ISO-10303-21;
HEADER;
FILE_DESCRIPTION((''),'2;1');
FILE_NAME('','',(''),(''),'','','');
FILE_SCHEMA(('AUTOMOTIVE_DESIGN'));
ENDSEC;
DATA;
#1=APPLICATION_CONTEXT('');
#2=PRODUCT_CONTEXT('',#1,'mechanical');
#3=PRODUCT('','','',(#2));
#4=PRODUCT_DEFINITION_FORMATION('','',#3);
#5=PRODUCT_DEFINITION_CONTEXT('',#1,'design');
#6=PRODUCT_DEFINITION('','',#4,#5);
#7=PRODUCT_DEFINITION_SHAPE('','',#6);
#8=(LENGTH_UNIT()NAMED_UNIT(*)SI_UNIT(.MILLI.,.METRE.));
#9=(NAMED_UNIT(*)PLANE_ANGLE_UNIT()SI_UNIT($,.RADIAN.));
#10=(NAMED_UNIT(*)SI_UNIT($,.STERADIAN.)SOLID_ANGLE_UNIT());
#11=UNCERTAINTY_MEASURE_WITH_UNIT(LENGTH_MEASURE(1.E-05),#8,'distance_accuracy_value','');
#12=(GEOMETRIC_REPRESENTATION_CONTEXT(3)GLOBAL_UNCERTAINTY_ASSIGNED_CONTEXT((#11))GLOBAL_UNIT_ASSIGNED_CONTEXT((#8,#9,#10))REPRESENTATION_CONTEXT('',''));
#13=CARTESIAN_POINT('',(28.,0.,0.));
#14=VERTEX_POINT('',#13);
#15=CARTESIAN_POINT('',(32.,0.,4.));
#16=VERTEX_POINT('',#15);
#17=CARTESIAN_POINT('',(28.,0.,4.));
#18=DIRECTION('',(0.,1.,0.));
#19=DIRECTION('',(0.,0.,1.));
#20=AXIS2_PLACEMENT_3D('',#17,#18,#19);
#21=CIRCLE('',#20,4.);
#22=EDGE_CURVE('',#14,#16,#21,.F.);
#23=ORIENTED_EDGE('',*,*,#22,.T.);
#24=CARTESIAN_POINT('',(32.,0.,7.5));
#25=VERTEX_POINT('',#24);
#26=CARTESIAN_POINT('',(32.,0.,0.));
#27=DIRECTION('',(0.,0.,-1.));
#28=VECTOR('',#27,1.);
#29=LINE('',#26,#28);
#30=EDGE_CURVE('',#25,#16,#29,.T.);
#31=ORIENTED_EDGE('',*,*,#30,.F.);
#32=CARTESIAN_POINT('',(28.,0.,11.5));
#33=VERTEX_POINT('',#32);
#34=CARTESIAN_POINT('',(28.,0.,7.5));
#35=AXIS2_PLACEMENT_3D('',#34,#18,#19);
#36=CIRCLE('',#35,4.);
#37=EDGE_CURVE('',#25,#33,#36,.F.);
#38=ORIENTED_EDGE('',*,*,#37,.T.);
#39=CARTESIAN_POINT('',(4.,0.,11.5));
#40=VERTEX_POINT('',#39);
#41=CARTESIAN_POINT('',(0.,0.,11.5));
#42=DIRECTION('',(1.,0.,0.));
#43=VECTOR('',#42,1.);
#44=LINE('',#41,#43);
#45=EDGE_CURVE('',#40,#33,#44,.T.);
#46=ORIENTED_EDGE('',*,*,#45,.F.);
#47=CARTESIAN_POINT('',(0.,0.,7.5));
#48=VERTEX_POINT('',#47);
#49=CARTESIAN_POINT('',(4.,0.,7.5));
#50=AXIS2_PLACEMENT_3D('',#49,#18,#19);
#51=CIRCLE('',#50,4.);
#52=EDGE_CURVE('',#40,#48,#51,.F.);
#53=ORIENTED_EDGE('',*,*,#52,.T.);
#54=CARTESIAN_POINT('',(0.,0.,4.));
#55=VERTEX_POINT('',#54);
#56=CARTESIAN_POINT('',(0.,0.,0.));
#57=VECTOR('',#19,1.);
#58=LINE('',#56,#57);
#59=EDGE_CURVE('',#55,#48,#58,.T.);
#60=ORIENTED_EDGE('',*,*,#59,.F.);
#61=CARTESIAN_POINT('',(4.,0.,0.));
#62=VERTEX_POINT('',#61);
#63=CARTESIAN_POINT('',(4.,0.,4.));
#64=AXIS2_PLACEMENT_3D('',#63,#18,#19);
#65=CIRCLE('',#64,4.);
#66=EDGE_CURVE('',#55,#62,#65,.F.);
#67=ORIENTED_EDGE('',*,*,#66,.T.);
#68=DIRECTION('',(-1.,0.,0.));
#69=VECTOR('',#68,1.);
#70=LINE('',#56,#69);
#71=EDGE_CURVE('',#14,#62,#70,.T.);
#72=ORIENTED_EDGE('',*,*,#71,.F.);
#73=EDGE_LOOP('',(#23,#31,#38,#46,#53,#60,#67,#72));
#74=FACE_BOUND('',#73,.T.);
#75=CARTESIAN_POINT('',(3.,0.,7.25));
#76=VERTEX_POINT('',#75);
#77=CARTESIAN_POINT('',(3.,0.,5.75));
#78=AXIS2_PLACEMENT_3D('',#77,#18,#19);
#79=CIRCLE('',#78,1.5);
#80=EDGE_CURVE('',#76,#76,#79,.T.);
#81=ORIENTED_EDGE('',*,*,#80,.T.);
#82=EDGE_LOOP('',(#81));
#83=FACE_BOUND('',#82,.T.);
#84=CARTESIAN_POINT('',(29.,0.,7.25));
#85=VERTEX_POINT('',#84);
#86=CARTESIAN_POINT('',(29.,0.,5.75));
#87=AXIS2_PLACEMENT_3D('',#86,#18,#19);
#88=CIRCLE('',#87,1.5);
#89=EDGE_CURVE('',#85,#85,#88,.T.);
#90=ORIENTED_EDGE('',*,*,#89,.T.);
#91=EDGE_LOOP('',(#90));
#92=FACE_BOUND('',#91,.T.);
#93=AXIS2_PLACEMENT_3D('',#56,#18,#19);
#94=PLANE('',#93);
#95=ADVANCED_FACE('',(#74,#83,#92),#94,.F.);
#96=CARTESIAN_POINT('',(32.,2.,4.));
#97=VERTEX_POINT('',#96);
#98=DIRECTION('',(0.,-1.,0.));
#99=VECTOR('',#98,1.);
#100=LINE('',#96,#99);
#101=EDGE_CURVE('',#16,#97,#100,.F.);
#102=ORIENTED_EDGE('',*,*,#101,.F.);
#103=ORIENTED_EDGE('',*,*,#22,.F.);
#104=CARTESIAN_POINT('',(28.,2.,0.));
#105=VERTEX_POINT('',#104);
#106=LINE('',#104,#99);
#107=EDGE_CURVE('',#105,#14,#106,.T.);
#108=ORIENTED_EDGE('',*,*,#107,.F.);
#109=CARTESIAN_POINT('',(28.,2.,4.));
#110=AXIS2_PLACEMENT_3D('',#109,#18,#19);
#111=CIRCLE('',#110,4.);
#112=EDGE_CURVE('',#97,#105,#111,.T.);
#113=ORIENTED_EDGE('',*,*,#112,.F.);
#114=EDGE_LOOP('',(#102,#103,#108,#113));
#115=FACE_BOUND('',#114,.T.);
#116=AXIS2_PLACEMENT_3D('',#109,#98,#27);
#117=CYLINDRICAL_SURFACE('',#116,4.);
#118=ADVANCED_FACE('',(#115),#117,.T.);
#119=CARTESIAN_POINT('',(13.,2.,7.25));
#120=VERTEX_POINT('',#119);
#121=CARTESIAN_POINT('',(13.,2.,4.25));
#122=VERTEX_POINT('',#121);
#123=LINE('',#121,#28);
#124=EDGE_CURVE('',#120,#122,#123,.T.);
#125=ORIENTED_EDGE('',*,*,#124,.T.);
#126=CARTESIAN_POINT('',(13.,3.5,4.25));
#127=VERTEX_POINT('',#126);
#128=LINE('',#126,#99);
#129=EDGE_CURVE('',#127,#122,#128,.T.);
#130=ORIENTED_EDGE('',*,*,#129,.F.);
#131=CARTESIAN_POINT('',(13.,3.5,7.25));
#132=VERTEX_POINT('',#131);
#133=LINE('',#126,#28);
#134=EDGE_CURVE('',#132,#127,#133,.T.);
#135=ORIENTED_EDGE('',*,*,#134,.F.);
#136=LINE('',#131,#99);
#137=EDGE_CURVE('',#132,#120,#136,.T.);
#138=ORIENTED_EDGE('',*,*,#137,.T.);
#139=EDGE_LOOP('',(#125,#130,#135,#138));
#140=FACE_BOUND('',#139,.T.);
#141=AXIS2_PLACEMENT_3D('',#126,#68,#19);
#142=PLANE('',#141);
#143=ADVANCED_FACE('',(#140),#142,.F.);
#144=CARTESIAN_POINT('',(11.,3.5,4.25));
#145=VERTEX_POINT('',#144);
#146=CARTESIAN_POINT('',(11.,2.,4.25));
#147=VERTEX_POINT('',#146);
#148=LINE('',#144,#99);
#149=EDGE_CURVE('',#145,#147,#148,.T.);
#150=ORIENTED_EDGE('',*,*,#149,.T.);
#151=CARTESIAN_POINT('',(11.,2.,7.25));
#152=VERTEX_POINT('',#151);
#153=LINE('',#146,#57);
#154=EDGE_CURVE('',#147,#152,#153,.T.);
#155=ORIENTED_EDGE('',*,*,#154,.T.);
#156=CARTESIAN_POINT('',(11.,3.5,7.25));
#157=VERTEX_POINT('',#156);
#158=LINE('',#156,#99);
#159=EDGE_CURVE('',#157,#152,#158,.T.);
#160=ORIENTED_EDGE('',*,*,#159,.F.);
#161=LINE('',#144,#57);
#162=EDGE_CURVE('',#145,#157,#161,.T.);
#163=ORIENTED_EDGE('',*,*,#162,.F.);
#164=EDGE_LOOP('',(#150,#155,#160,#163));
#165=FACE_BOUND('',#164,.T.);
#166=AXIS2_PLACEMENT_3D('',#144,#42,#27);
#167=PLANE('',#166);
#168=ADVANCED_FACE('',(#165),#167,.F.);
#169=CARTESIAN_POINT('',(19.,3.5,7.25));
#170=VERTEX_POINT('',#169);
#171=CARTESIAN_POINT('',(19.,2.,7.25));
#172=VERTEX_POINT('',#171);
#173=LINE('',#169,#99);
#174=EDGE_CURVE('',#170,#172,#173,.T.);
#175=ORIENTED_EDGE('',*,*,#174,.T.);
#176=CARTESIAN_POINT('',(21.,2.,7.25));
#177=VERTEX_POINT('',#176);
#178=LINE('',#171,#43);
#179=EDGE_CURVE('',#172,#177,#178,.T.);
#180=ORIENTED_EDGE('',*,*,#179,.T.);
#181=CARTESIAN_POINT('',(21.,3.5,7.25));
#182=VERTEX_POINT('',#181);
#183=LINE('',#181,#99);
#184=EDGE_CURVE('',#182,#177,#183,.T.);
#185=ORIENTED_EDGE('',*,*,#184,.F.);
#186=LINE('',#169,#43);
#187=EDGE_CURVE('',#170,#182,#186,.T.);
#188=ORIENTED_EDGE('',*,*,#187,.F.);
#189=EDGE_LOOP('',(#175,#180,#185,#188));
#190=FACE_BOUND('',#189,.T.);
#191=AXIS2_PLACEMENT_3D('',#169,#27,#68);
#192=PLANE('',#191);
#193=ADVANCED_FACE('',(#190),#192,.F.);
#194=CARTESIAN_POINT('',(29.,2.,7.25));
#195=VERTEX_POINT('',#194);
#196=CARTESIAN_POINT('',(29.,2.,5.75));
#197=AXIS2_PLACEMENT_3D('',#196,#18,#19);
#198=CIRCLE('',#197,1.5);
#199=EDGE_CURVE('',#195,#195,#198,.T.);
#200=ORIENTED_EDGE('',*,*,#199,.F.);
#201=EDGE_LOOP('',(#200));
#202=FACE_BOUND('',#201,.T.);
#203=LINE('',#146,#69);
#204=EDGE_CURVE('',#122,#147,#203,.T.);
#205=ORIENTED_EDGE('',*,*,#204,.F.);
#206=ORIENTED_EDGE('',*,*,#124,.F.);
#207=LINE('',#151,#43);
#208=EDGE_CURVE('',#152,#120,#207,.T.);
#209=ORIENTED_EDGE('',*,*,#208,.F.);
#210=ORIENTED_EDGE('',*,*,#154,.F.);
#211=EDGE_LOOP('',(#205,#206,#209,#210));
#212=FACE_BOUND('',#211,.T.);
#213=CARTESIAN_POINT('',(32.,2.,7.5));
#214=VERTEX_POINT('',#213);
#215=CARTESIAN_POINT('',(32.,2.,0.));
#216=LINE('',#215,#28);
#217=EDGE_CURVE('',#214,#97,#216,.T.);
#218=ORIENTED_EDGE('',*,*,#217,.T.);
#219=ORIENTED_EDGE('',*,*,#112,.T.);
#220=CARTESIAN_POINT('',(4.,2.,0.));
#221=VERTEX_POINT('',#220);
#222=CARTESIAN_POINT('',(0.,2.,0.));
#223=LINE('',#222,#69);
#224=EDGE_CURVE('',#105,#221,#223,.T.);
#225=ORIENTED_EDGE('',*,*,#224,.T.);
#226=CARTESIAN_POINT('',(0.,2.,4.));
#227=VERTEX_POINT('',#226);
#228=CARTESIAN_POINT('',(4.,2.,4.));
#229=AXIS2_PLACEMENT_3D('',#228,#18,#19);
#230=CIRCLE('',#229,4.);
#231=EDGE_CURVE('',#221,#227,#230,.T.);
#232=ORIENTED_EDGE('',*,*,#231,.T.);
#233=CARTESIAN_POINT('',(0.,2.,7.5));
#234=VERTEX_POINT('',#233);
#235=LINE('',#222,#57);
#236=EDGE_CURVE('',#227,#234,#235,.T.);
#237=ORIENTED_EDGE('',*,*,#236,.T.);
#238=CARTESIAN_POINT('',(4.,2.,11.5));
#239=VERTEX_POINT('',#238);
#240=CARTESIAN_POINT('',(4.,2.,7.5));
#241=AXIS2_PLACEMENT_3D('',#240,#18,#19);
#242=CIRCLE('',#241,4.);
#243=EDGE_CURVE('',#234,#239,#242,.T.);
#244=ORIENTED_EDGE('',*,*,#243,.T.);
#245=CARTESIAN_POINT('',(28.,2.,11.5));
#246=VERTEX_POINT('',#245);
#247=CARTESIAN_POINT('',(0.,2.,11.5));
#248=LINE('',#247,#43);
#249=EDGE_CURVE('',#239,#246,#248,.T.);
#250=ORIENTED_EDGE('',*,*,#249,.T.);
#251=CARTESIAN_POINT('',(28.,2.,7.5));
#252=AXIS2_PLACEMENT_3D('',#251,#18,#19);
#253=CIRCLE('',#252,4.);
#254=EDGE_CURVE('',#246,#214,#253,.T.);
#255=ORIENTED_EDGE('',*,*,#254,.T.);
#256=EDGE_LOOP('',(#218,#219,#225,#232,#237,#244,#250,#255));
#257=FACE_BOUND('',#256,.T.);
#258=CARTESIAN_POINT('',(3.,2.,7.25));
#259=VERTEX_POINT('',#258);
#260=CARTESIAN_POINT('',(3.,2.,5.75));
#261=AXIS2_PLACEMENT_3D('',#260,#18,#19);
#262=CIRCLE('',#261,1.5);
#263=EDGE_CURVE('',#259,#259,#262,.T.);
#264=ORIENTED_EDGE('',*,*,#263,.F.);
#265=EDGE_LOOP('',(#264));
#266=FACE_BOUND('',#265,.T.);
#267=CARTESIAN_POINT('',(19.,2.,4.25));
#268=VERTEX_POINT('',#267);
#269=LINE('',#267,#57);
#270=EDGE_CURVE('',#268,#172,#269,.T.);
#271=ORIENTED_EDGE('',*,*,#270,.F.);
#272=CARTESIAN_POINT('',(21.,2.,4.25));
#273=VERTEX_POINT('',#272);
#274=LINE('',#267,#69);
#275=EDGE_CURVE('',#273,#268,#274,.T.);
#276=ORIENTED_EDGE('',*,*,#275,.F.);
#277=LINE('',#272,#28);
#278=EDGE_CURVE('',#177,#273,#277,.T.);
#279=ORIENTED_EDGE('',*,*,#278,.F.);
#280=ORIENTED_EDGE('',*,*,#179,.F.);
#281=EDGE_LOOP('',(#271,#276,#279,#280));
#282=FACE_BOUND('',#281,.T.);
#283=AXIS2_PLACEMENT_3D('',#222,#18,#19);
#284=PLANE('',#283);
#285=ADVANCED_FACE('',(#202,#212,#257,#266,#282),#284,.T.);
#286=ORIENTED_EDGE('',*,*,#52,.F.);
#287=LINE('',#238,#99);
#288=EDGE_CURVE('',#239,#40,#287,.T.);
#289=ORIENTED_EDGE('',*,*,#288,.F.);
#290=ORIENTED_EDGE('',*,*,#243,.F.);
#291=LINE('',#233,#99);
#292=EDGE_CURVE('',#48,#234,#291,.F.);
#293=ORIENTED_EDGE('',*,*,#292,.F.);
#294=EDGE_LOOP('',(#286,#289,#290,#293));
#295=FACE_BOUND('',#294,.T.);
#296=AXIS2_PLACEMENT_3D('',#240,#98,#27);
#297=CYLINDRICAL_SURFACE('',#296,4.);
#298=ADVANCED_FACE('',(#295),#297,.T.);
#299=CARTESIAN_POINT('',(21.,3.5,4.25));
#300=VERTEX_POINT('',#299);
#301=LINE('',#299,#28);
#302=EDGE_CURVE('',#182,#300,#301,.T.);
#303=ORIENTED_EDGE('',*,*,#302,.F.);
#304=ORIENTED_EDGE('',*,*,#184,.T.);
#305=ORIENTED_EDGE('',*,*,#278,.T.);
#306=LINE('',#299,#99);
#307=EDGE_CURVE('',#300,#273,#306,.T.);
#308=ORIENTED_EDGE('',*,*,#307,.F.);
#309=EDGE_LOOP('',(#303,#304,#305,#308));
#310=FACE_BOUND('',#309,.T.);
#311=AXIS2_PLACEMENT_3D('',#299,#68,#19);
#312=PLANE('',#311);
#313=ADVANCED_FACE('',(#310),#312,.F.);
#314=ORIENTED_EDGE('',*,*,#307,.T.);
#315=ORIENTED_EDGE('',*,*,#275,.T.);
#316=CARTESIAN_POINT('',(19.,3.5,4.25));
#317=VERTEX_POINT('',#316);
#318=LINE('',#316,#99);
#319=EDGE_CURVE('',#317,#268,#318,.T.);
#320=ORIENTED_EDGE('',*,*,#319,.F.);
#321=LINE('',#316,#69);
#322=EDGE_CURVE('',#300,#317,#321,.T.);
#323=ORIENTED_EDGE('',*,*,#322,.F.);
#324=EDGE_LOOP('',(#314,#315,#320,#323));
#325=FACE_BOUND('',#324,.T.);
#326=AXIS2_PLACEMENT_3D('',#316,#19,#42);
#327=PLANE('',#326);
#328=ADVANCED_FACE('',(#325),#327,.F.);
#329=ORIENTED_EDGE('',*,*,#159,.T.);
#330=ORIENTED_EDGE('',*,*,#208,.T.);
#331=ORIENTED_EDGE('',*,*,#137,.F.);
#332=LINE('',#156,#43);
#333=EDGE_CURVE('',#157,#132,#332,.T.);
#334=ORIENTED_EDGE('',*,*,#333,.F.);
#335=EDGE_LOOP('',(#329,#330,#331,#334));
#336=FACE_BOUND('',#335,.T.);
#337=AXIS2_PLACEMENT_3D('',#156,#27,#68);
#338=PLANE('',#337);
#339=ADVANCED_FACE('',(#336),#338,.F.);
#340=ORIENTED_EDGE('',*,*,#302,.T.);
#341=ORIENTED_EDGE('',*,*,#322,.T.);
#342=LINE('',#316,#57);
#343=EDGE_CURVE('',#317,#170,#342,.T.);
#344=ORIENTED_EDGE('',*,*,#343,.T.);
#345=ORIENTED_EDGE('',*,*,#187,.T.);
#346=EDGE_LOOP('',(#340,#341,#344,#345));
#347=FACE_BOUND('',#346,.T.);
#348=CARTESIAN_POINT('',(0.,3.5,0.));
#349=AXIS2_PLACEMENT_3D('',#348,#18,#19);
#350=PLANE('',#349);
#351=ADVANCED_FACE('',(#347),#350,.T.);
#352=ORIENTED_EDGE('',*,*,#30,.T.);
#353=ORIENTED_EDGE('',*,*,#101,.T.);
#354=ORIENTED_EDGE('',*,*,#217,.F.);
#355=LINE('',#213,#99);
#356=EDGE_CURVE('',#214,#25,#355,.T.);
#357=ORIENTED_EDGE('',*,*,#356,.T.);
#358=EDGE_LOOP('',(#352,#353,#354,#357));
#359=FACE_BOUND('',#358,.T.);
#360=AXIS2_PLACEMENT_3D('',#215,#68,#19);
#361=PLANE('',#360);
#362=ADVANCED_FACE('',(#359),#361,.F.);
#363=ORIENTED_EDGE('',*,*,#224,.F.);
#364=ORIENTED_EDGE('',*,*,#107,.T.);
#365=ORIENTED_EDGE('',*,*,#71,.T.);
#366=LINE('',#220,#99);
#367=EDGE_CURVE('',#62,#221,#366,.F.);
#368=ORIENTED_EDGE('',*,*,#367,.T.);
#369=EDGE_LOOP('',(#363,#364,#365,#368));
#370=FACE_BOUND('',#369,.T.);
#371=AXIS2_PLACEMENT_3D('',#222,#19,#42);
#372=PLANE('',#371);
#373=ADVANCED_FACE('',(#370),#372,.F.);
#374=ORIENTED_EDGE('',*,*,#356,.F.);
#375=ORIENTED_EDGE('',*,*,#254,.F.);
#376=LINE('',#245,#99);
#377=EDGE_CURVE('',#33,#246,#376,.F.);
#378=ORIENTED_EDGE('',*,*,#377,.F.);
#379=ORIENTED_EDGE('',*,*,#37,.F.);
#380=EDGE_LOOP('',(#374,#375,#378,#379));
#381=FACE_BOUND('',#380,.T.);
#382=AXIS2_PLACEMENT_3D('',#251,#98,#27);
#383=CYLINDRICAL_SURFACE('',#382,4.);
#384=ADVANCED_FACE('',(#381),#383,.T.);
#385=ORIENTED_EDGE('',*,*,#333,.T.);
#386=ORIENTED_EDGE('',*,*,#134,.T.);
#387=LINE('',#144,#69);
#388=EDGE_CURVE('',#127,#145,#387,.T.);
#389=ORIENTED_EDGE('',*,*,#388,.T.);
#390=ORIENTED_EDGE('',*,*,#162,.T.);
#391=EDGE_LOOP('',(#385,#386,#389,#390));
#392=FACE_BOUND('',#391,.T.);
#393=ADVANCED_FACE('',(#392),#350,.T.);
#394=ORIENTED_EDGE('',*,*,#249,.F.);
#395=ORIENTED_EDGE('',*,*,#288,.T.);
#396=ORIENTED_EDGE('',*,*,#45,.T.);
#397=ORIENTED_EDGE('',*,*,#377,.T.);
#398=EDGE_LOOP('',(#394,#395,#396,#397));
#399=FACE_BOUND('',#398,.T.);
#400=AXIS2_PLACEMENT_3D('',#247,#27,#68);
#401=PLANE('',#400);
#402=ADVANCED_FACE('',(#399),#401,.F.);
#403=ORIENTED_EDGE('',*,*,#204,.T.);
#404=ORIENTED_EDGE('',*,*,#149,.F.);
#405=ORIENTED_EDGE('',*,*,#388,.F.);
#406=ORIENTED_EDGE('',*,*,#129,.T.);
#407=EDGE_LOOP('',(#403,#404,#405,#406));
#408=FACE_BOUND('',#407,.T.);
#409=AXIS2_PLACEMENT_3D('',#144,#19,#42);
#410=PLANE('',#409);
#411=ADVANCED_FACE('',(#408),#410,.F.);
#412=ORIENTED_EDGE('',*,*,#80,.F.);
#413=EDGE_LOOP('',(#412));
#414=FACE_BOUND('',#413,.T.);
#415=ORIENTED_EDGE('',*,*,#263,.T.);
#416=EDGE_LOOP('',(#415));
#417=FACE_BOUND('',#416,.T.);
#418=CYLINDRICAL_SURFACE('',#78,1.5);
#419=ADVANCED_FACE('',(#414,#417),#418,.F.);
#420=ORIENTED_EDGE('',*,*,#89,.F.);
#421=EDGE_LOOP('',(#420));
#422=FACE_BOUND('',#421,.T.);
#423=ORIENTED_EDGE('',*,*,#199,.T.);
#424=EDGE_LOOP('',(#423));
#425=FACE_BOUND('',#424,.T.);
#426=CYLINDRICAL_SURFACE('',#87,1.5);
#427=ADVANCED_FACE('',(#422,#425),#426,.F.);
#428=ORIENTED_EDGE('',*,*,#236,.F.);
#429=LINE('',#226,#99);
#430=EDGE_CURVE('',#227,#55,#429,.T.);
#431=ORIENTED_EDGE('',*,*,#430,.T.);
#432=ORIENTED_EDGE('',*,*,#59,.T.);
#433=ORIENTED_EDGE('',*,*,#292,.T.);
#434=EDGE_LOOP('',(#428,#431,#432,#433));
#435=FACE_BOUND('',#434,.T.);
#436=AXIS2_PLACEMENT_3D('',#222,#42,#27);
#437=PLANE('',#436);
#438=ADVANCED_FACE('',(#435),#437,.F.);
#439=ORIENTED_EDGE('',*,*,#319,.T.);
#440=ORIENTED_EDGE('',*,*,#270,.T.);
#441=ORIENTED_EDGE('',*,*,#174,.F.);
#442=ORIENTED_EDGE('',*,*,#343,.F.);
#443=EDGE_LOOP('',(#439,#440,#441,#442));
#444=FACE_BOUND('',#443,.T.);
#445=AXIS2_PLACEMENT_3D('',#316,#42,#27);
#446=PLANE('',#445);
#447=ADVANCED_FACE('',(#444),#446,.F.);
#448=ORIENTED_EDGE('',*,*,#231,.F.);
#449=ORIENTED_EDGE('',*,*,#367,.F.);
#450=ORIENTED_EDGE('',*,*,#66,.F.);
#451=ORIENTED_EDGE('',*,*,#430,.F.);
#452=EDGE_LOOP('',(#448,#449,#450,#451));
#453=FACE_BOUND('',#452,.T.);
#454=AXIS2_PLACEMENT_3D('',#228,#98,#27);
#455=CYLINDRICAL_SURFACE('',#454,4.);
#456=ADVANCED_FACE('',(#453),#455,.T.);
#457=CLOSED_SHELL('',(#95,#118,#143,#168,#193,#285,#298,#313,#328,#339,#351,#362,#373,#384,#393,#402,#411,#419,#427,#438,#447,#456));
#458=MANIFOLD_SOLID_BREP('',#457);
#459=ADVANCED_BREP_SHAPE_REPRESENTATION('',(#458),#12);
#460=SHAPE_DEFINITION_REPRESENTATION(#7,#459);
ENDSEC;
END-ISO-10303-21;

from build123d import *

# Parameters (mm, degrees)
SKETCH1_W           = 32
SKETCH1_H           = 11.5
BOSS_EXTRUDE1_DEPTH = 2
SKETCH2_R           = 1.5
CUT_EXTRUDE1_DEPTH  = 35.062442661
FILLET1_R           = 4
SKETCH3_W           = 2
SKETCH3_H           = 3
BOSS_EXTRUDE2_DEPTH = 1.5


with BuildPart() as part:
    # Sketch1 → Boss-Extrude1 (new body)
    with BuildSketch(Plane(origin=(0, 0, 0), x_dir=(1, 0, 0), z_dir=(0, 1, 0))):
        with Locations((16, -5.75)):
            Rectangle(SKETCH1_W, SKETCH1_H)
    extrude(amount=BOSS_EXTRUDE1_DEPTH)

    # Sketch2 → Cut-Extrude1 (cut, through all)
    with BuildSketch(Plane(origin=(0, 2, 0), x_dir=(1, 0, 0), z_dir=(0, 1, 0))):
        with Locations(Location((3, -5.75, 0), (0, 0, 270))):
            Circle(SKETCH2_R)
        with Locations(Location((29, -5.75, 0), (0, 0, 270))):
            Circle(SKETCH2_R)
    extrude(amount=-CUT_EXTRUDE1_DEPTH, mode=Mode.SUBTRACT)

    # Fillet1
    fillet1_edges = [part.edges().sort_by_distance(p)[0] for p in [
        (0, 1, 0),
        (32, 1, 0),
        (32, 1, 11.5),
        (0, 1, 11.5),
    ]]
    fillet(fillet1_edges, radius=FILLET1_R)

    # Sketch3 → Boss-Extrude2 (add)
    with BuildSketch(Plane(origin=(0, 2, 0), x_dir=(1, 0, 0), z_dir=(0, 1, 0))):
        with Locations((12, -5.75)):
            Rectangle(SKETCH3_W, SKETCH3_H)
        with Locations((20, -5.75)):
            Rectangle(SKETCH3_W, SKETCH3_H)
    extrude(amount=BOSS_EXTRUDE2_DEPTH)


solid = part.part
